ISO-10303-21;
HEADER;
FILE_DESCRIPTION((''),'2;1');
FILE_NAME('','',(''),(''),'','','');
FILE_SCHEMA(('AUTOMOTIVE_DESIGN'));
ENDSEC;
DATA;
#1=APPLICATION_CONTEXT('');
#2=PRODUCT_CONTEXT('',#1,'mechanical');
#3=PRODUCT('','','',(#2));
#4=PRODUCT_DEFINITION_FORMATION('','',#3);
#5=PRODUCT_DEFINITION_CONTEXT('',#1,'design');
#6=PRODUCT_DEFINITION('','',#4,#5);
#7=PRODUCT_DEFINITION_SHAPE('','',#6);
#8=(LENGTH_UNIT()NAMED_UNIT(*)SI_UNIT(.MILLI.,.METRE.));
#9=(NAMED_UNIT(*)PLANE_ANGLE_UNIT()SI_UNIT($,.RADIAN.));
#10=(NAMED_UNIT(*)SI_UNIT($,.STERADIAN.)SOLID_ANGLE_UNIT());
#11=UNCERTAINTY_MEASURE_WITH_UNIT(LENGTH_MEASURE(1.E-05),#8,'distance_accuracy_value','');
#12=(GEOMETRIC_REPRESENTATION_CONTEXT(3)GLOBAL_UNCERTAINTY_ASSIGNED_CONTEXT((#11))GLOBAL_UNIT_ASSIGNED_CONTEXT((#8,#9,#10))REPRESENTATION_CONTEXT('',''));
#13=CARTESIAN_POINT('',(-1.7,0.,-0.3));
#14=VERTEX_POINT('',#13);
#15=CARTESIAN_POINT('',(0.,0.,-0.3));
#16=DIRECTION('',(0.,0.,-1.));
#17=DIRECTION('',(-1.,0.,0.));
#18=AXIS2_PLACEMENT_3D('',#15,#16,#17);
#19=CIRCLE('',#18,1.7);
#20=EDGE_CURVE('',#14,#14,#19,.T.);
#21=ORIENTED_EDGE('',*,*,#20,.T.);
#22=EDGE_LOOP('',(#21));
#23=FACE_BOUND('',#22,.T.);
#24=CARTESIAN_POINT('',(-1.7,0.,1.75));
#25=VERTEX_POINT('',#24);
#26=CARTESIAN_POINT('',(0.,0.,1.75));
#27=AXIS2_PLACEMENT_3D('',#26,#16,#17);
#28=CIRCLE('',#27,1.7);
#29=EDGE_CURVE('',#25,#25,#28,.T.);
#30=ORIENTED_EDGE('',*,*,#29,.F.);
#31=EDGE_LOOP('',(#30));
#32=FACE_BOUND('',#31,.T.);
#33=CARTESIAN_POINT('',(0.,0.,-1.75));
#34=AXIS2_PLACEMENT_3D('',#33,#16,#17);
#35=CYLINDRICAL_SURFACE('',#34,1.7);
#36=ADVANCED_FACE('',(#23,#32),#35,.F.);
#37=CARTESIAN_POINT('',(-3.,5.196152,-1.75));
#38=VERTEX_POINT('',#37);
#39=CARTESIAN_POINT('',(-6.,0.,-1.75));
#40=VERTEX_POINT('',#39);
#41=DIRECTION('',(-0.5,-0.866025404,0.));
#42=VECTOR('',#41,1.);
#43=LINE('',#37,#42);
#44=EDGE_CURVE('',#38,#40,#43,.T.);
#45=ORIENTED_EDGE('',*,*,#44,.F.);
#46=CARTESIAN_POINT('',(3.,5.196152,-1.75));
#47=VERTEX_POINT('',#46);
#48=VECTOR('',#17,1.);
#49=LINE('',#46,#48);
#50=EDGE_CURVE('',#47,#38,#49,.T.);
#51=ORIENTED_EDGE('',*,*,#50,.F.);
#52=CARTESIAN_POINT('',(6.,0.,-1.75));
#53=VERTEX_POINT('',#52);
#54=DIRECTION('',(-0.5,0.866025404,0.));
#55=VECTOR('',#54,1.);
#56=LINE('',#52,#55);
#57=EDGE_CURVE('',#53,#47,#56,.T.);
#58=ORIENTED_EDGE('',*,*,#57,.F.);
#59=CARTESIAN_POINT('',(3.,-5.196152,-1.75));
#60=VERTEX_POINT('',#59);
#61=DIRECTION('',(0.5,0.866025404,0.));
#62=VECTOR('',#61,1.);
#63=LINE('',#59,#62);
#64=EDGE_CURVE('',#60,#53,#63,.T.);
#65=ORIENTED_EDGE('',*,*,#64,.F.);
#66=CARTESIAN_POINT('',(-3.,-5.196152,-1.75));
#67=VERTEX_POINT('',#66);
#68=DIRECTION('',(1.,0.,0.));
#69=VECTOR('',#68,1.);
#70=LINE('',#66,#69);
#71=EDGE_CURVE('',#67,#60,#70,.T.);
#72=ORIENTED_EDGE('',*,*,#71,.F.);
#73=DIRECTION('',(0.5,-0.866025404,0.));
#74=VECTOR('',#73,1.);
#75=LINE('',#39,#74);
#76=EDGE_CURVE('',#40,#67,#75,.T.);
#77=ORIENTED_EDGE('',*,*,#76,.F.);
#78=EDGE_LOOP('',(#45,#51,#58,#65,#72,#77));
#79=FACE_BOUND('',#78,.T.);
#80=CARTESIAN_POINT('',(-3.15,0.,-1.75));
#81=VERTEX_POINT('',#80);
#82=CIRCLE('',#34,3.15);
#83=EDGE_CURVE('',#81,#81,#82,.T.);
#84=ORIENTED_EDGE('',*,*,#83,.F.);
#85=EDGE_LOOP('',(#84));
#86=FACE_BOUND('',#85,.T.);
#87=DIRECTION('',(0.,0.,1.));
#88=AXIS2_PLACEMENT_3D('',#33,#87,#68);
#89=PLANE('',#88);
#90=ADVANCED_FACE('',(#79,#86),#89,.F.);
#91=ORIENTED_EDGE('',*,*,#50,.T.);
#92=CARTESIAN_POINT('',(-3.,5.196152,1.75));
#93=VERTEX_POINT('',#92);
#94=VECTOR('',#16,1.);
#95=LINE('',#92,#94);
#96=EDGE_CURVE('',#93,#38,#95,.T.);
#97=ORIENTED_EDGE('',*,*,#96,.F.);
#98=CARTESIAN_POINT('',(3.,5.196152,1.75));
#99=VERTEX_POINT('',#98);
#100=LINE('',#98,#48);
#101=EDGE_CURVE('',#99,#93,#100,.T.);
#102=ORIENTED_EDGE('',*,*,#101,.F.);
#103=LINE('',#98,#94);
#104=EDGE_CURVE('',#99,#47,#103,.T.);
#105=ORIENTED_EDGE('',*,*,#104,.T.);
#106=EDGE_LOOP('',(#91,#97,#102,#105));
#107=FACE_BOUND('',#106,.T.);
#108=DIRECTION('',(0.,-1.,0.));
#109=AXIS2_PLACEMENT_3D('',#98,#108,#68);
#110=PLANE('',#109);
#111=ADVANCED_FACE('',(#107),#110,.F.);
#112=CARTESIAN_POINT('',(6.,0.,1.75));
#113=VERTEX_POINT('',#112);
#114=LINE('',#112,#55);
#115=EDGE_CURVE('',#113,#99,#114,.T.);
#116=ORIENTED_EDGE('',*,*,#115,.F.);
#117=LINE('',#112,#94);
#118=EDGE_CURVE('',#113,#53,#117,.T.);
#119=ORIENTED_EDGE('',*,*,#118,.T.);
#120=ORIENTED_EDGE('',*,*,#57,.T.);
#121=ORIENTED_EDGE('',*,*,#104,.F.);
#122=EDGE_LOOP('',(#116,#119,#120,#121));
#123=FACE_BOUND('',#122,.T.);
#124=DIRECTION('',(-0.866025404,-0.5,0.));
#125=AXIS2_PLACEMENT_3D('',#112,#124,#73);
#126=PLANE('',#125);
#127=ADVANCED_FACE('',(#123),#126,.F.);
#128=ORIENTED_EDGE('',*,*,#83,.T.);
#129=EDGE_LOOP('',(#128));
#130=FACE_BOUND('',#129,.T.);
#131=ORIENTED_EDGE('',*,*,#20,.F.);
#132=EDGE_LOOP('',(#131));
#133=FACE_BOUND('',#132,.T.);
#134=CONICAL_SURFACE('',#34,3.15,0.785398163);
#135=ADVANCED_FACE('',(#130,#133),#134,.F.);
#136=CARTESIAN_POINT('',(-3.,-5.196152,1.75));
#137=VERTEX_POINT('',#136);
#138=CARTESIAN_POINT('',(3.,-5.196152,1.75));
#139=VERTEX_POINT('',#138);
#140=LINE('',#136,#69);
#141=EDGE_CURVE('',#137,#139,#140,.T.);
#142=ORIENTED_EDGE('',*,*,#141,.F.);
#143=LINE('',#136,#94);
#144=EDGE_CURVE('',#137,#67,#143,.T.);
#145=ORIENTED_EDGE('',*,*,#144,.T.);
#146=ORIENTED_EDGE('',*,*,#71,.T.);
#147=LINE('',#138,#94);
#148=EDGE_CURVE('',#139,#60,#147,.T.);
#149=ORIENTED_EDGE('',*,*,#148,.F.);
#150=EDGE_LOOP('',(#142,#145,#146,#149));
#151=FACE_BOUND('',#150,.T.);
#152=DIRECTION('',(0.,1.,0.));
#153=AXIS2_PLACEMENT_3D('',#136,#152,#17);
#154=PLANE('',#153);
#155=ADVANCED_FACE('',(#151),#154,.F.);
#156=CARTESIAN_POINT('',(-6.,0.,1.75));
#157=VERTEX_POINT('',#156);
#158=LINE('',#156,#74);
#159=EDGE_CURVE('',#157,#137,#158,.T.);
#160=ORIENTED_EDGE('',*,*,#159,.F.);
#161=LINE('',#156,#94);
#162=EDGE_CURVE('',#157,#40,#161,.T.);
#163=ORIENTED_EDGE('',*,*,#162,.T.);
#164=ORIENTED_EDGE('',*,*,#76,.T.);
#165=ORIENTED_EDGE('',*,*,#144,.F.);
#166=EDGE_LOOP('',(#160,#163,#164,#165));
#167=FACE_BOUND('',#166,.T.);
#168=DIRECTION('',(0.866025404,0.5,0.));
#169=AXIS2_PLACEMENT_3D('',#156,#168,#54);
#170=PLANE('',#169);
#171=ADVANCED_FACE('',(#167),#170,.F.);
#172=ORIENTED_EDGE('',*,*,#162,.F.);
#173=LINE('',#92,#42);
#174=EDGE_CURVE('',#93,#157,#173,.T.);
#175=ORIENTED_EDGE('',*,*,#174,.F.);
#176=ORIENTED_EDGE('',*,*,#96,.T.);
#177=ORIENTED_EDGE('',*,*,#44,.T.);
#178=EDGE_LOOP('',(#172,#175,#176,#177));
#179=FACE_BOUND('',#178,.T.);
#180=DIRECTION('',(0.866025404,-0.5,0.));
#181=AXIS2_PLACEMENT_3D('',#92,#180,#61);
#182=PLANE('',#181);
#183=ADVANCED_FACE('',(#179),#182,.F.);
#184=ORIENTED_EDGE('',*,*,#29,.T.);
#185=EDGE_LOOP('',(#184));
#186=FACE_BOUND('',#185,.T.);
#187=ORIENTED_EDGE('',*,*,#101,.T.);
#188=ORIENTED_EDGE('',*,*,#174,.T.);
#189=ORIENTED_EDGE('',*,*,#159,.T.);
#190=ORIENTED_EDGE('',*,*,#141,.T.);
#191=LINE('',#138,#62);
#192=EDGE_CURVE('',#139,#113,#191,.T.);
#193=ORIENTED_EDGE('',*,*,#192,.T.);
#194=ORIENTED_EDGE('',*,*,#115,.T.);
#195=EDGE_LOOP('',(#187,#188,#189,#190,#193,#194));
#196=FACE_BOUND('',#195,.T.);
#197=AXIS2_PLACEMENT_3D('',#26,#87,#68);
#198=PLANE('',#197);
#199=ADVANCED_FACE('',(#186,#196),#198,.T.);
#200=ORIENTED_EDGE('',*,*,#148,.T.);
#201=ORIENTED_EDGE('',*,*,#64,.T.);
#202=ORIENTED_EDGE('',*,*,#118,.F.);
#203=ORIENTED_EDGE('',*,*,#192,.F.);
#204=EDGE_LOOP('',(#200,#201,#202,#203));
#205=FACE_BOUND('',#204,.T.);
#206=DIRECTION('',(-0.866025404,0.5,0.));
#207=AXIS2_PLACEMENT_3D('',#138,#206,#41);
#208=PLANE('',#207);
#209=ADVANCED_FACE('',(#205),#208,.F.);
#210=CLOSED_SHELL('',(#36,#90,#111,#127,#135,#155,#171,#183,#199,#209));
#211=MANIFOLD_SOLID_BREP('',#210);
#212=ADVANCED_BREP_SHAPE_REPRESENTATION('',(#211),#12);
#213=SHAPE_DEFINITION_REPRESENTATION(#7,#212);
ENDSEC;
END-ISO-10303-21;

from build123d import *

# Parameters (mm, degrees)
BOSS_EXTRUDE1_DEPTH                                 = 1.75
CSK_FOR_M3_COUNTERSUNK_FLAT_HEAD_SCREW1_D           = 3.4
CSK_FOR_M3_COUNTERSUNK_FLAT_HEAD_SCREW1_DEPTH       = 3.5
CSK_FOR_M3_COUNTERSUNK_FLAT_HEAD_SCREW1_CSINK_D     = 6.3
CSK_FOR_M3_COUNTERSUNK_FLAT_HEAD_SCREW1_CSINK_ANGLE = 90
CSK_FOR_M3_COUNTERSUNK_FLAT_HEAD_SCREW1_TIP         = 1.021463052


with BuildPart() as part:
    # Sketch1 → Boss-Extrude1 (new, symmetric)
    with BuildSketch(Plane.XY):
        Polygon((3, -5.196152423), (6, 0), (3, 5.196152423), (-3, 5.196152423), (-6, 0), (-3, -5.196152423), align=None)
    extrude(amount=BOSS_EXTRUDE1_DEPTH, both=True)

    # CSK for M3 Countersunk Flat Head Screw1
    with Locations(Plane(origin=(0, 0, -1.75), x_dir=(-1, 0, 0), z_dir=(0, 0, -1))):
        with Locations((0, 0)):
            CounterSinkHole(CSK_FOR_M3_COUNTERSUNK_FLAT_HEAD_SCREW1_D / 2, CSK_FOR_M3_COUNTERSUNK_FLAT_HEAD_SCREW1_CSINK_D / 2, depth=CSK_FOR_M3_COUNTERSUNK_FLAT_HEAD_SCREW1_DEPTH, counter_sink_angle=CSK_FOR_M3_COUNTERSUNK_FLAT_HEAD_SCREW1_CSINK_ANGLE)
            with Locations((0, 0, -(CSK_FOR_M3_COUNTERSUNK_FLAT_HEAD_SCREW1_DEPTH + CSK_FOR_M3_COUNTERSUNK_FLAT_HEAD_SCREW1_TIP / 2))):  # 118° drill point
                Cone(0, CSK_FOR_M3_COUNTERSUNK_FLAT_HEAD_SCREW1_D / 2, CSK_FOR_M3_COUNTERSUNK_FLAT_HEAD_SCREW1_TIP, mode=Mode.SUBTRACT)


solid = part.part
